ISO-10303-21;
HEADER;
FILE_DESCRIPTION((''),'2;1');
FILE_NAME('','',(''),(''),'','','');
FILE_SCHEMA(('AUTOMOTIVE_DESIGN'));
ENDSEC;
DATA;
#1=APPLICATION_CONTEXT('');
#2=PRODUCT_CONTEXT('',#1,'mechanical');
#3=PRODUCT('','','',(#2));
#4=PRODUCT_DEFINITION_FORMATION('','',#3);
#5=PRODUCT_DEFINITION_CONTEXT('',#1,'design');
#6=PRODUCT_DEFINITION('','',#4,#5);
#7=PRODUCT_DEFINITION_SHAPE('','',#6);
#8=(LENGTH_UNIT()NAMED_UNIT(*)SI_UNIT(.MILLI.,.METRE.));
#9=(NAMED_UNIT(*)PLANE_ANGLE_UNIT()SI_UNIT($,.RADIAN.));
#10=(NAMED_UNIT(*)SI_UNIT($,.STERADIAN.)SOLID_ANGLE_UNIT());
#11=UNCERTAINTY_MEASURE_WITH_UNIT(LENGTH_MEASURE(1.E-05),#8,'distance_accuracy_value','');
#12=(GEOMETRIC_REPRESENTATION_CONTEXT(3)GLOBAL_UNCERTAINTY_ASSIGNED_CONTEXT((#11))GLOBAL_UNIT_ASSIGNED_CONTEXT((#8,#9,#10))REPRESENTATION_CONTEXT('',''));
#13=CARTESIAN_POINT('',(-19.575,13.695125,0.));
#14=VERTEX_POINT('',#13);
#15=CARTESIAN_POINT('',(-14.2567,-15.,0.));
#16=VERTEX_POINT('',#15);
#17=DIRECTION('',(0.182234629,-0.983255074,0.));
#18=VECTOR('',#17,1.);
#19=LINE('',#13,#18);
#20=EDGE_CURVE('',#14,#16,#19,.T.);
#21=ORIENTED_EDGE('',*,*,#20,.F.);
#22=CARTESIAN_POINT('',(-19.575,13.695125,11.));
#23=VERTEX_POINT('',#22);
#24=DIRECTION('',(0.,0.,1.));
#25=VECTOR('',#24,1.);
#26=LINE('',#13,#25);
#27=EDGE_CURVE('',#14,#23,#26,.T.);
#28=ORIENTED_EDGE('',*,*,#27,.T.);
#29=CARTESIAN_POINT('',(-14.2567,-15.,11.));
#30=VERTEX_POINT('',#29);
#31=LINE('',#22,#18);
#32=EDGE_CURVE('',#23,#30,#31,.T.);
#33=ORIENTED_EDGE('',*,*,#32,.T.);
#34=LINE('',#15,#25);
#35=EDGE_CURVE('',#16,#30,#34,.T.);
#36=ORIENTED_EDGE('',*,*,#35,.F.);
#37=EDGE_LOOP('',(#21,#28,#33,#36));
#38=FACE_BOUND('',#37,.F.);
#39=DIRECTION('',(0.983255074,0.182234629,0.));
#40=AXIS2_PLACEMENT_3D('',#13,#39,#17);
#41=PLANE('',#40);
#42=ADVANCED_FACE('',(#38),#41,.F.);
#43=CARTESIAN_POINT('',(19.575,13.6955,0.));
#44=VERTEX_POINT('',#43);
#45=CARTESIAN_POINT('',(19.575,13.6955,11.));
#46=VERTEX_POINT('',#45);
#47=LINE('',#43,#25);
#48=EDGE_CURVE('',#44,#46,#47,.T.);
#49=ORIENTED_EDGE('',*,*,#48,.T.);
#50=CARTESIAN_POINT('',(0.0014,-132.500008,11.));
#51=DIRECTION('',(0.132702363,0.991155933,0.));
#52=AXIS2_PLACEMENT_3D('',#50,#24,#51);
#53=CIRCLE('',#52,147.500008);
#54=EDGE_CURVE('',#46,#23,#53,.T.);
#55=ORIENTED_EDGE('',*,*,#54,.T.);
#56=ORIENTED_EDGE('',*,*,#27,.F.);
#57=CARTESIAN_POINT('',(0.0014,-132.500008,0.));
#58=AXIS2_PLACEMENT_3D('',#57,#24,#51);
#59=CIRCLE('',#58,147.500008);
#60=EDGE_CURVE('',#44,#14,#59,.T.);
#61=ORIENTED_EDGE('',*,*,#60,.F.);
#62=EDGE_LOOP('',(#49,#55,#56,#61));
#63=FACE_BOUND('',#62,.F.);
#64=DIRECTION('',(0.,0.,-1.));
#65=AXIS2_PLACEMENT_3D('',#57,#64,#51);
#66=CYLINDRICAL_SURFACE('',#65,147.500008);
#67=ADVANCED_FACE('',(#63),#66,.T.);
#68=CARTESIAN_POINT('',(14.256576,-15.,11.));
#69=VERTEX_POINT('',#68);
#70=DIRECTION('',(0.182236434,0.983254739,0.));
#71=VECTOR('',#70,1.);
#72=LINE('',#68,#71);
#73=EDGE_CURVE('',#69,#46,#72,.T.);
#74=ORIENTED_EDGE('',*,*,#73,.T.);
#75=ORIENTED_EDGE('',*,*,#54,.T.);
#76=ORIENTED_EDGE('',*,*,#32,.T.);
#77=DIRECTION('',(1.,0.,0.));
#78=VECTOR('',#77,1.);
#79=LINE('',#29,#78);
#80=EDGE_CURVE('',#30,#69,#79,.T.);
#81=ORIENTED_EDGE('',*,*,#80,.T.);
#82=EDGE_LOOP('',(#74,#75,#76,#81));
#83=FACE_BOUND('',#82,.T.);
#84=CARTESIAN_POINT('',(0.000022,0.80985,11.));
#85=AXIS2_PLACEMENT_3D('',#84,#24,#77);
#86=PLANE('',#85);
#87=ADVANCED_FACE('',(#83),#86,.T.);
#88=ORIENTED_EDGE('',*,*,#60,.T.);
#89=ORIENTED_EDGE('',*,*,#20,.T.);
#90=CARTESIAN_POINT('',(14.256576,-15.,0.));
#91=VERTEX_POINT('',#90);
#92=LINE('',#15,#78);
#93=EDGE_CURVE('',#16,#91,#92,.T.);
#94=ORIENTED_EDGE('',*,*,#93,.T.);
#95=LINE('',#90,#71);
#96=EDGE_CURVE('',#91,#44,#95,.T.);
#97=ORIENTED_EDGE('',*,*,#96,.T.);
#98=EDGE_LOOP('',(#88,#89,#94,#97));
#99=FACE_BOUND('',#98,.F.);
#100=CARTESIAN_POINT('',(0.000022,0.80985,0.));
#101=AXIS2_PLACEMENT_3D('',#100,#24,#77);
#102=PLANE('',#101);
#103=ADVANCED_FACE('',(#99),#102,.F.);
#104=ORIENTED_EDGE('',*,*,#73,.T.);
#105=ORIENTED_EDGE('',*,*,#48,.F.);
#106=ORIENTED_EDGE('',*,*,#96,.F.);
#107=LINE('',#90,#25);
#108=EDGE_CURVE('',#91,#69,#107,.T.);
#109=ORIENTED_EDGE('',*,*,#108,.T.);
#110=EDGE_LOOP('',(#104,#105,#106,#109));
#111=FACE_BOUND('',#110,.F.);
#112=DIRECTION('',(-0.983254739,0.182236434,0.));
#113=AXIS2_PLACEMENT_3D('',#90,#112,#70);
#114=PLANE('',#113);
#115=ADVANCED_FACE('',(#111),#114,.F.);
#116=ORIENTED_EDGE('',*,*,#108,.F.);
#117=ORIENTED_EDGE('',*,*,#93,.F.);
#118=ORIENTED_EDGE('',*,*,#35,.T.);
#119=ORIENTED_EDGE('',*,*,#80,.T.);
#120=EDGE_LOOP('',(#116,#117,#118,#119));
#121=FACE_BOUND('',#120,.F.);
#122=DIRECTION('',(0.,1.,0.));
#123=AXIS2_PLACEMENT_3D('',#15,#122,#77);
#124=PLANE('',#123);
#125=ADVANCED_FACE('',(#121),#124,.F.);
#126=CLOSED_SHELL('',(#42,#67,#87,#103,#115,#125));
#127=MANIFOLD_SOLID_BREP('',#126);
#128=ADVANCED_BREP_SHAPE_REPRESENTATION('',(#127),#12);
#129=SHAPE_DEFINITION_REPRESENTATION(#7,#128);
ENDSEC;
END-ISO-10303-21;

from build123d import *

# Parameters (mm, degrees)
F1_DEPTH = 11


with BuildPart() as f1:
    # F0 (on Top) → F1 (new body)
    with BuildSketch(Plane.XY):
        with BuildLine():
            Line((-14.2567, -15), (14.256576, -15))
            Line((14.256576, -15), (19.575, 13.6955))
            ThreePointArc((19.575, 13.6955), (-1.3e-05, 15), (-19.575, 13.695125))
            Line((-19.575, 13.695125), (-14.2567, -15))
        make_face()
    extrude(amount=F1_DEPTH)


solid = f1.part
